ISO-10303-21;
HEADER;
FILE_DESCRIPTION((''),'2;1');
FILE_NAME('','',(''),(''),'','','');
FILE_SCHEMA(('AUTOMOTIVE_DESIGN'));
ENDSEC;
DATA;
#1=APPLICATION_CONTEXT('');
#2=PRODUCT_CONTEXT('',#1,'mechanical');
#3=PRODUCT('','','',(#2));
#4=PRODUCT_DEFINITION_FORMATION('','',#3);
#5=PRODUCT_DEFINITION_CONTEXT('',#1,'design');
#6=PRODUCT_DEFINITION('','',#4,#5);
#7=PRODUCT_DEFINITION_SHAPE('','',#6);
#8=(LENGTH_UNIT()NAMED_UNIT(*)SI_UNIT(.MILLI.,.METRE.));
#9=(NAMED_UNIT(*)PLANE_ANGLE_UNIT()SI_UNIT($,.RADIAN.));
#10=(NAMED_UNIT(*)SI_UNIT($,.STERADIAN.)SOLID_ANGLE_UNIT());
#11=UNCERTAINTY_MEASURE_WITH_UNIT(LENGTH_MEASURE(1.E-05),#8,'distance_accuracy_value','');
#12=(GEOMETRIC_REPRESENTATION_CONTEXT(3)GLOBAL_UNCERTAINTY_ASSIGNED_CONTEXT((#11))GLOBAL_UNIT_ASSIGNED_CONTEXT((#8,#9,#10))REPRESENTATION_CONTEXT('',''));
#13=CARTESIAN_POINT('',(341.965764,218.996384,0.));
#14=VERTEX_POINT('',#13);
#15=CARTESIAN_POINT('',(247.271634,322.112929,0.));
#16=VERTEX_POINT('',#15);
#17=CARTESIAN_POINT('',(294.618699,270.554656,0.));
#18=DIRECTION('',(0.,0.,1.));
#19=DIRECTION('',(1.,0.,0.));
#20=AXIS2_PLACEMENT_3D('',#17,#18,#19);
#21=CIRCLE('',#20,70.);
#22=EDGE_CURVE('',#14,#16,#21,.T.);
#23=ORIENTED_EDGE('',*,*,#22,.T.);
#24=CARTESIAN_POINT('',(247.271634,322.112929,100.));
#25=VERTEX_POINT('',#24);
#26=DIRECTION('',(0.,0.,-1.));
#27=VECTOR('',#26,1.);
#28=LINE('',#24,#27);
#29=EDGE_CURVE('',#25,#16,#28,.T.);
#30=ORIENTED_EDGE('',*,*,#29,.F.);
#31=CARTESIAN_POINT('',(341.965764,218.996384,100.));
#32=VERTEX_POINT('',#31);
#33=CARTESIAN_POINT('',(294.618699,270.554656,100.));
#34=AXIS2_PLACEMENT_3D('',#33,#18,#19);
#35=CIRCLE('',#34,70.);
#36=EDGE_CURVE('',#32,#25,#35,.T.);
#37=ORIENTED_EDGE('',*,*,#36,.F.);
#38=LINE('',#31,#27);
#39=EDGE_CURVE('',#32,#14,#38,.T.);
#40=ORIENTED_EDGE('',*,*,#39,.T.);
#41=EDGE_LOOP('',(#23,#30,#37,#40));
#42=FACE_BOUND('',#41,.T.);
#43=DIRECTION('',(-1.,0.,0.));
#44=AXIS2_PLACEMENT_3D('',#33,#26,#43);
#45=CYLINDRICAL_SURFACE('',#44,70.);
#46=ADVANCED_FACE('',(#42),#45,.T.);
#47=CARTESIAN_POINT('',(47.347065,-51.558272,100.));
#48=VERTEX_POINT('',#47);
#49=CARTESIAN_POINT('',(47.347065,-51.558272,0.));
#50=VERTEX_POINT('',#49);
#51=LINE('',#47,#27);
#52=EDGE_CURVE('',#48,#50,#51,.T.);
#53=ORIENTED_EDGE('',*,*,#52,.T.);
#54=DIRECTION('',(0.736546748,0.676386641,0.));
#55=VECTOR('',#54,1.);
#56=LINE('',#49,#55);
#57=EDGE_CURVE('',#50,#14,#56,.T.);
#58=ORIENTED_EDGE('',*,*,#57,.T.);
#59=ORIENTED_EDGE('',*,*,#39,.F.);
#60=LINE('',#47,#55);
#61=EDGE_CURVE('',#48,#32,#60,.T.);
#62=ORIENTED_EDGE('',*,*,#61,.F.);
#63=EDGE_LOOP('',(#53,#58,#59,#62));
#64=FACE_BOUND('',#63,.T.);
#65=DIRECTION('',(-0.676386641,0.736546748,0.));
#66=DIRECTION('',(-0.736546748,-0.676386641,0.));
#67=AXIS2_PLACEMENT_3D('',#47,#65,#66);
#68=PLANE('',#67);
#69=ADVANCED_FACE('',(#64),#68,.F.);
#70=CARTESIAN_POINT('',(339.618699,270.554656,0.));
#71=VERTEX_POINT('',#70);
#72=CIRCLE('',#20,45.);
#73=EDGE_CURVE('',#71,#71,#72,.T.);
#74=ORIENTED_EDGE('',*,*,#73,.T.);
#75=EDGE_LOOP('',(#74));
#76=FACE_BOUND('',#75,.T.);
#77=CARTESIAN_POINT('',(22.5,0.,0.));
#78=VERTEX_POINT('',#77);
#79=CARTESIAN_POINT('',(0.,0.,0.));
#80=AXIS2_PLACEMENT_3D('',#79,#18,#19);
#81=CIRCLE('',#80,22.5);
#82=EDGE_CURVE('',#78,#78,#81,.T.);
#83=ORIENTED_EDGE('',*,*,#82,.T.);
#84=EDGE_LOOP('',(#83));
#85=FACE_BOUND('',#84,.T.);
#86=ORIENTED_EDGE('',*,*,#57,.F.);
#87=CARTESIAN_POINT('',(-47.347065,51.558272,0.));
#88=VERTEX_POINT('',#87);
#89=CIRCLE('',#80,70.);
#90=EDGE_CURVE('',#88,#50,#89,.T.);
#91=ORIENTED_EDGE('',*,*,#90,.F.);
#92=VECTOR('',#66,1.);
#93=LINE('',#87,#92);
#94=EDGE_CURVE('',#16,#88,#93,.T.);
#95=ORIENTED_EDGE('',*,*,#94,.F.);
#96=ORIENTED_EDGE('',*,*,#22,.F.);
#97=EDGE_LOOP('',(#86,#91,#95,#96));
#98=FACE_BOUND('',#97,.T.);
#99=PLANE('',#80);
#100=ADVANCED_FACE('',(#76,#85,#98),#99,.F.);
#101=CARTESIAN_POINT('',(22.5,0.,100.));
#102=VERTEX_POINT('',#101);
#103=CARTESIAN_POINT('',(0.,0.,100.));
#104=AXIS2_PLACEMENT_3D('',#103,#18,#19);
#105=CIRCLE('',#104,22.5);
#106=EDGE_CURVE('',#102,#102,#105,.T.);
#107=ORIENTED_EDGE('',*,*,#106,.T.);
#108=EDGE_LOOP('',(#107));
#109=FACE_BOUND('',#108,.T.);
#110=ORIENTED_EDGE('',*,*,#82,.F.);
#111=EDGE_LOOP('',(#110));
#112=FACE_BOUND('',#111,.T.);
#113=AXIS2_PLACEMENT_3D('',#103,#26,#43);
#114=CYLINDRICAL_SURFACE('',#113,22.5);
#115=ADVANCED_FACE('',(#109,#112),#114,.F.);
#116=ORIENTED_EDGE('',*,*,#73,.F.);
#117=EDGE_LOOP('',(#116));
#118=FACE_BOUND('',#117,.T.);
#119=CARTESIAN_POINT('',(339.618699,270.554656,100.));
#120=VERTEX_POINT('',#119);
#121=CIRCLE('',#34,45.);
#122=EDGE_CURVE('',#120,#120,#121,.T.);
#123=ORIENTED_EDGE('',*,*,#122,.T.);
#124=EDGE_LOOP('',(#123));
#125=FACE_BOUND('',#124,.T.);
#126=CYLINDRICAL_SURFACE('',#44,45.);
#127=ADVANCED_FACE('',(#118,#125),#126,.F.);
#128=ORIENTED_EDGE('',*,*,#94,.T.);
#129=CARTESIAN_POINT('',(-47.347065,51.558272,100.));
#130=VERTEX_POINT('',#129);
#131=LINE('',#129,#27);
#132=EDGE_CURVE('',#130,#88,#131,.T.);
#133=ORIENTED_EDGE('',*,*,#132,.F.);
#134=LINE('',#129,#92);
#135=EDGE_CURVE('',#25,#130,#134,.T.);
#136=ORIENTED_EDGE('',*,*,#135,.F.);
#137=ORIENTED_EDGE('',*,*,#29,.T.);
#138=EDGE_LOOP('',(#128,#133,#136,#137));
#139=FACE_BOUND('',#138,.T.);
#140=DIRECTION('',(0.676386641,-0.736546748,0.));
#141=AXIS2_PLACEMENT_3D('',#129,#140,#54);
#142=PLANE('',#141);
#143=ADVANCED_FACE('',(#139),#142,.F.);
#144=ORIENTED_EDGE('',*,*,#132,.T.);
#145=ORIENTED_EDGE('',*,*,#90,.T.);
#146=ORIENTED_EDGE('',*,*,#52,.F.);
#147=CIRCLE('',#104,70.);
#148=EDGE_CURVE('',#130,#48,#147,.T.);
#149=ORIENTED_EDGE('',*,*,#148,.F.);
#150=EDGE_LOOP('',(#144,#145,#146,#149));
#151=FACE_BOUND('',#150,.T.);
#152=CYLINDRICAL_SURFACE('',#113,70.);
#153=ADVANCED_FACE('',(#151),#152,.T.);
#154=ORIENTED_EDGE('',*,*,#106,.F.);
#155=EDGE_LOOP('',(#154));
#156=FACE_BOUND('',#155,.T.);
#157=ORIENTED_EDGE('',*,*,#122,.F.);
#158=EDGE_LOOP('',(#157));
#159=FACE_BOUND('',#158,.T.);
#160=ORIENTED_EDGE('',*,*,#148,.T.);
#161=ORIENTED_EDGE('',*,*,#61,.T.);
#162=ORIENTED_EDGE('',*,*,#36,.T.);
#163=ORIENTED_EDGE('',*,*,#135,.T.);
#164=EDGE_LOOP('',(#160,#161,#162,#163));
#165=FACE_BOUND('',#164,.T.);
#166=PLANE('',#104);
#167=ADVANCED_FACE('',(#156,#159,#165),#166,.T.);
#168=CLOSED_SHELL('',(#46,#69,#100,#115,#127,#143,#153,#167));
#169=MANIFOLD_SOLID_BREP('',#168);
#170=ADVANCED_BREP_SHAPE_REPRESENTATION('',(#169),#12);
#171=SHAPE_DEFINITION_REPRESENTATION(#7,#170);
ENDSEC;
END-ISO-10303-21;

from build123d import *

# Parameters (mm, degrees)
SKETCH1_R           = 22.5
SKETCH1_R_2         = 45
BOSS_EXTRUDE1_DEPTH = 100


with BuildPart() as part:
    # Sketch1 → Boss-Extrude1 (new body)
    with BuildSketch(Plane.XY):
        with BuildLine():
            Line((-47.347064855, 51.558272368), (247.271634392, 322.112928684))
            ThreePointArc((247.271634392, 322.112928684), (346.176971615, 317.901721171), (341.965764102, 218.996383947))
            Line((341.965764102, 218.996383947), (47.347064855, -51.558272368))
            ThreePointArc((47.347064855, -51.558272368), (-51.558272368, -47.347064855), (-47.347064855, 51.558272368))
        make_face()
        Circle(SKETCH1_R, mode=Mode.SUBTRACT)
        with Locations((294.618699247, 270.554656316)):
            Circle(SKETCH1_R_2, mode=Mode.SUBTRACT)
    extrude(amount=BOSS_EXTRUDE1_DEPTH)


solid = part.part
